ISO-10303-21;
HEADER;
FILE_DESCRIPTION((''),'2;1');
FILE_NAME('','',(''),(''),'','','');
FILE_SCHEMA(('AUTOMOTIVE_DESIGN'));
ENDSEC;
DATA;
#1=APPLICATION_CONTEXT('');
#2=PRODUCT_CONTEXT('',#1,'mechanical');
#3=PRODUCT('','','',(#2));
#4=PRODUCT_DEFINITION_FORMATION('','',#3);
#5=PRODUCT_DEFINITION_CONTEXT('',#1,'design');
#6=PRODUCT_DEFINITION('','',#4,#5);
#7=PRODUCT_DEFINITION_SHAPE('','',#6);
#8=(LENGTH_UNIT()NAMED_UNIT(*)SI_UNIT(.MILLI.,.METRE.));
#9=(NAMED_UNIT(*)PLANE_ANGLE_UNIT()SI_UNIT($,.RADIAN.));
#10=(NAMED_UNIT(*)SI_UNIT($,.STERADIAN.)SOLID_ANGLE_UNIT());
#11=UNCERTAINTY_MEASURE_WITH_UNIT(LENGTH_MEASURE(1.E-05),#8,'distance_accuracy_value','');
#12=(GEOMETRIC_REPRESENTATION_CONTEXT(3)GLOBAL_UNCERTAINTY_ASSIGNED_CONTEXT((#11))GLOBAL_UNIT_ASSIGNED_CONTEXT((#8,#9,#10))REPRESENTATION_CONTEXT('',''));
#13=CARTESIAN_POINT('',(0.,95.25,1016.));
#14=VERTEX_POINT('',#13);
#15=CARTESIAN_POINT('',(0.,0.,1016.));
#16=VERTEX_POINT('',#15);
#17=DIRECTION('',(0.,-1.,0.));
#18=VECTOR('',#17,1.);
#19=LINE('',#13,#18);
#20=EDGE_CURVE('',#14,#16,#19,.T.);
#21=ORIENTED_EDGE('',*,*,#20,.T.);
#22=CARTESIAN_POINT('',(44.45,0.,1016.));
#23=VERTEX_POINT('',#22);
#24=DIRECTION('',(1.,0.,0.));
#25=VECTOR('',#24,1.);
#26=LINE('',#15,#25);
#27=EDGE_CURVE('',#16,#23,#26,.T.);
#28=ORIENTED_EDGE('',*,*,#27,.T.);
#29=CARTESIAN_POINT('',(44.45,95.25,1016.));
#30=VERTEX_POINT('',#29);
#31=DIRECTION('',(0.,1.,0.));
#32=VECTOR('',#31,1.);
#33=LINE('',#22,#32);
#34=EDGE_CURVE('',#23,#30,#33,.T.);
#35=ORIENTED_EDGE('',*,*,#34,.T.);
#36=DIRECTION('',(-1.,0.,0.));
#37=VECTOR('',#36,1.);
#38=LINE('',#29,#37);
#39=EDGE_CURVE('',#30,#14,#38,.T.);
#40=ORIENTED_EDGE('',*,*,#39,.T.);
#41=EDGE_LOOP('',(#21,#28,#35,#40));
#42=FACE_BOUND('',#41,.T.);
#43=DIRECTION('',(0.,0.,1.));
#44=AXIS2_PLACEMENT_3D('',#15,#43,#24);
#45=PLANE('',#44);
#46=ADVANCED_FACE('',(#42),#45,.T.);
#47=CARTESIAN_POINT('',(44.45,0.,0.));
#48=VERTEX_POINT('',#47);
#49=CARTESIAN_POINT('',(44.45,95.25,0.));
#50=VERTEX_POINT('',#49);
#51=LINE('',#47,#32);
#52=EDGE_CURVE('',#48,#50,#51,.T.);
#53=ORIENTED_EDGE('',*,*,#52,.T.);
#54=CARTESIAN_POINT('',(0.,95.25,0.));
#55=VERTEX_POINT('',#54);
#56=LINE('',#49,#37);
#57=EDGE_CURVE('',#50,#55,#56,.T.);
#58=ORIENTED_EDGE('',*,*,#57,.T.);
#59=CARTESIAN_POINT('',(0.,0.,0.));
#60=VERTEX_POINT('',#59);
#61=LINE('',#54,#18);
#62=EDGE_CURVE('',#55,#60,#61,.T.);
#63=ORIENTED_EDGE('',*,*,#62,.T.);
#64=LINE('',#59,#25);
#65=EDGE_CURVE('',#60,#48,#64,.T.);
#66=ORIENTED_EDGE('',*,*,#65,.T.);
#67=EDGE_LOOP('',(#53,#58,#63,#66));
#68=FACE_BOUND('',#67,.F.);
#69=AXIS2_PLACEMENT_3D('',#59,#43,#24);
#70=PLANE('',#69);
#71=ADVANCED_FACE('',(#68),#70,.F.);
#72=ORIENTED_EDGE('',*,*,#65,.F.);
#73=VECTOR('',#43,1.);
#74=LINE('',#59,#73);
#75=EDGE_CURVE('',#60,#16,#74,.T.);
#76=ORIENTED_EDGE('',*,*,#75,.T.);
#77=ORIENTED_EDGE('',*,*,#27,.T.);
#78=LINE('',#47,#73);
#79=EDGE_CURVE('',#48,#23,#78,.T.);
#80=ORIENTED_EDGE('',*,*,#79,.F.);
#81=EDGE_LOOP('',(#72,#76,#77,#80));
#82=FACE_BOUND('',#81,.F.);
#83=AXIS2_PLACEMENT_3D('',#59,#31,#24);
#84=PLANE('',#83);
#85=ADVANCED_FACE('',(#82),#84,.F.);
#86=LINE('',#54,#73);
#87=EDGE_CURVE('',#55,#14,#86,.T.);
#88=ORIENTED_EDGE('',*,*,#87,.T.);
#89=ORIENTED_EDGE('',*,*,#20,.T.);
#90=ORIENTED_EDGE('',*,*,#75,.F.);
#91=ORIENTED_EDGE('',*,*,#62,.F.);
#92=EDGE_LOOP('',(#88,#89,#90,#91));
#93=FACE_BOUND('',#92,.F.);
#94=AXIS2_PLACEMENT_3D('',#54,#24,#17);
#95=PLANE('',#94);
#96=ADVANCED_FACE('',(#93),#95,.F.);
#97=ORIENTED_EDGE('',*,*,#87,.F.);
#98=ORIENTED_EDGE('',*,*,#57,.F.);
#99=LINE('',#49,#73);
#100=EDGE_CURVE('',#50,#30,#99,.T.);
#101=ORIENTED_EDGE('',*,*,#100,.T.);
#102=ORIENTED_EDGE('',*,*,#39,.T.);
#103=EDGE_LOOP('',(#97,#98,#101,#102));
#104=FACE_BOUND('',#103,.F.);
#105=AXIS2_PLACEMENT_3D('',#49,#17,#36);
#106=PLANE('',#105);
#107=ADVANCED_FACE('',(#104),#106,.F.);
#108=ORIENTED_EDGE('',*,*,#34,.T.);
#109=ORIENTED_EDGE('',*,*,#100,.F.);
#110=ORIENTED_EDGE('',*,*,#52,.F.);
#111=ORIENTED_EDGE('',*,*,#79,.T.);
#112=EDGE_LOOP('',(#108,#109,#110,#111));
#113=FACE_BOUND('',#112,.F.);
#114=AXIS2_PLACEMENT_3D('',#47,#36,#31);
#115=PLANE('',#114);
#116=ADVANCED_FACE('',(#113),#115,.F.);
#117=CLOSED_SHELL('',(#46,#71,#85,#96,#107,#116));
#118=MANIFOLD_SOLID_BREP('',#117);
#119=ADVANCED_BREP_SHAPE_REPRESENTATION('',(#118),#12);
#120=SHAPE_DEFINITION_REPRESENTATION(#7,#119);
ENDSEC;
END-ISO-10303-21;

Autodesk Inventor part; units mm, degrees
ref_plane "YZ Plane" through (0, 0, 0) normal (1, 0, 0) x (0, 1, 0)
ref_plane "XZ Plane" through (0, 0, 0) normal (0, 1, 0) x (-1, 0, 0)
ref_plane "XY Plane" through (0, 0, 0) normal (0, 0, 1) x (1, 0, 0)
sketch "Sketch1" plane through (0, 0, 0) normal (0, 0, 1) x (1, 0, 0)
  line L0 (0, 0) -> (44.45, 0)
  line L1 (44.45, 0) -> (44.45, 95.25)
  line L2 (44.45, 95.25) -> (0, 95.25)
  line L3 (0, 95.25) -> (0, 0)
  dimension "d0" = 95.25
  dimension "d1" = 44.45
extrude "Extrusion1" add sketch "Sketch1" along normal blind 1016
properties part number "2x4x40"
